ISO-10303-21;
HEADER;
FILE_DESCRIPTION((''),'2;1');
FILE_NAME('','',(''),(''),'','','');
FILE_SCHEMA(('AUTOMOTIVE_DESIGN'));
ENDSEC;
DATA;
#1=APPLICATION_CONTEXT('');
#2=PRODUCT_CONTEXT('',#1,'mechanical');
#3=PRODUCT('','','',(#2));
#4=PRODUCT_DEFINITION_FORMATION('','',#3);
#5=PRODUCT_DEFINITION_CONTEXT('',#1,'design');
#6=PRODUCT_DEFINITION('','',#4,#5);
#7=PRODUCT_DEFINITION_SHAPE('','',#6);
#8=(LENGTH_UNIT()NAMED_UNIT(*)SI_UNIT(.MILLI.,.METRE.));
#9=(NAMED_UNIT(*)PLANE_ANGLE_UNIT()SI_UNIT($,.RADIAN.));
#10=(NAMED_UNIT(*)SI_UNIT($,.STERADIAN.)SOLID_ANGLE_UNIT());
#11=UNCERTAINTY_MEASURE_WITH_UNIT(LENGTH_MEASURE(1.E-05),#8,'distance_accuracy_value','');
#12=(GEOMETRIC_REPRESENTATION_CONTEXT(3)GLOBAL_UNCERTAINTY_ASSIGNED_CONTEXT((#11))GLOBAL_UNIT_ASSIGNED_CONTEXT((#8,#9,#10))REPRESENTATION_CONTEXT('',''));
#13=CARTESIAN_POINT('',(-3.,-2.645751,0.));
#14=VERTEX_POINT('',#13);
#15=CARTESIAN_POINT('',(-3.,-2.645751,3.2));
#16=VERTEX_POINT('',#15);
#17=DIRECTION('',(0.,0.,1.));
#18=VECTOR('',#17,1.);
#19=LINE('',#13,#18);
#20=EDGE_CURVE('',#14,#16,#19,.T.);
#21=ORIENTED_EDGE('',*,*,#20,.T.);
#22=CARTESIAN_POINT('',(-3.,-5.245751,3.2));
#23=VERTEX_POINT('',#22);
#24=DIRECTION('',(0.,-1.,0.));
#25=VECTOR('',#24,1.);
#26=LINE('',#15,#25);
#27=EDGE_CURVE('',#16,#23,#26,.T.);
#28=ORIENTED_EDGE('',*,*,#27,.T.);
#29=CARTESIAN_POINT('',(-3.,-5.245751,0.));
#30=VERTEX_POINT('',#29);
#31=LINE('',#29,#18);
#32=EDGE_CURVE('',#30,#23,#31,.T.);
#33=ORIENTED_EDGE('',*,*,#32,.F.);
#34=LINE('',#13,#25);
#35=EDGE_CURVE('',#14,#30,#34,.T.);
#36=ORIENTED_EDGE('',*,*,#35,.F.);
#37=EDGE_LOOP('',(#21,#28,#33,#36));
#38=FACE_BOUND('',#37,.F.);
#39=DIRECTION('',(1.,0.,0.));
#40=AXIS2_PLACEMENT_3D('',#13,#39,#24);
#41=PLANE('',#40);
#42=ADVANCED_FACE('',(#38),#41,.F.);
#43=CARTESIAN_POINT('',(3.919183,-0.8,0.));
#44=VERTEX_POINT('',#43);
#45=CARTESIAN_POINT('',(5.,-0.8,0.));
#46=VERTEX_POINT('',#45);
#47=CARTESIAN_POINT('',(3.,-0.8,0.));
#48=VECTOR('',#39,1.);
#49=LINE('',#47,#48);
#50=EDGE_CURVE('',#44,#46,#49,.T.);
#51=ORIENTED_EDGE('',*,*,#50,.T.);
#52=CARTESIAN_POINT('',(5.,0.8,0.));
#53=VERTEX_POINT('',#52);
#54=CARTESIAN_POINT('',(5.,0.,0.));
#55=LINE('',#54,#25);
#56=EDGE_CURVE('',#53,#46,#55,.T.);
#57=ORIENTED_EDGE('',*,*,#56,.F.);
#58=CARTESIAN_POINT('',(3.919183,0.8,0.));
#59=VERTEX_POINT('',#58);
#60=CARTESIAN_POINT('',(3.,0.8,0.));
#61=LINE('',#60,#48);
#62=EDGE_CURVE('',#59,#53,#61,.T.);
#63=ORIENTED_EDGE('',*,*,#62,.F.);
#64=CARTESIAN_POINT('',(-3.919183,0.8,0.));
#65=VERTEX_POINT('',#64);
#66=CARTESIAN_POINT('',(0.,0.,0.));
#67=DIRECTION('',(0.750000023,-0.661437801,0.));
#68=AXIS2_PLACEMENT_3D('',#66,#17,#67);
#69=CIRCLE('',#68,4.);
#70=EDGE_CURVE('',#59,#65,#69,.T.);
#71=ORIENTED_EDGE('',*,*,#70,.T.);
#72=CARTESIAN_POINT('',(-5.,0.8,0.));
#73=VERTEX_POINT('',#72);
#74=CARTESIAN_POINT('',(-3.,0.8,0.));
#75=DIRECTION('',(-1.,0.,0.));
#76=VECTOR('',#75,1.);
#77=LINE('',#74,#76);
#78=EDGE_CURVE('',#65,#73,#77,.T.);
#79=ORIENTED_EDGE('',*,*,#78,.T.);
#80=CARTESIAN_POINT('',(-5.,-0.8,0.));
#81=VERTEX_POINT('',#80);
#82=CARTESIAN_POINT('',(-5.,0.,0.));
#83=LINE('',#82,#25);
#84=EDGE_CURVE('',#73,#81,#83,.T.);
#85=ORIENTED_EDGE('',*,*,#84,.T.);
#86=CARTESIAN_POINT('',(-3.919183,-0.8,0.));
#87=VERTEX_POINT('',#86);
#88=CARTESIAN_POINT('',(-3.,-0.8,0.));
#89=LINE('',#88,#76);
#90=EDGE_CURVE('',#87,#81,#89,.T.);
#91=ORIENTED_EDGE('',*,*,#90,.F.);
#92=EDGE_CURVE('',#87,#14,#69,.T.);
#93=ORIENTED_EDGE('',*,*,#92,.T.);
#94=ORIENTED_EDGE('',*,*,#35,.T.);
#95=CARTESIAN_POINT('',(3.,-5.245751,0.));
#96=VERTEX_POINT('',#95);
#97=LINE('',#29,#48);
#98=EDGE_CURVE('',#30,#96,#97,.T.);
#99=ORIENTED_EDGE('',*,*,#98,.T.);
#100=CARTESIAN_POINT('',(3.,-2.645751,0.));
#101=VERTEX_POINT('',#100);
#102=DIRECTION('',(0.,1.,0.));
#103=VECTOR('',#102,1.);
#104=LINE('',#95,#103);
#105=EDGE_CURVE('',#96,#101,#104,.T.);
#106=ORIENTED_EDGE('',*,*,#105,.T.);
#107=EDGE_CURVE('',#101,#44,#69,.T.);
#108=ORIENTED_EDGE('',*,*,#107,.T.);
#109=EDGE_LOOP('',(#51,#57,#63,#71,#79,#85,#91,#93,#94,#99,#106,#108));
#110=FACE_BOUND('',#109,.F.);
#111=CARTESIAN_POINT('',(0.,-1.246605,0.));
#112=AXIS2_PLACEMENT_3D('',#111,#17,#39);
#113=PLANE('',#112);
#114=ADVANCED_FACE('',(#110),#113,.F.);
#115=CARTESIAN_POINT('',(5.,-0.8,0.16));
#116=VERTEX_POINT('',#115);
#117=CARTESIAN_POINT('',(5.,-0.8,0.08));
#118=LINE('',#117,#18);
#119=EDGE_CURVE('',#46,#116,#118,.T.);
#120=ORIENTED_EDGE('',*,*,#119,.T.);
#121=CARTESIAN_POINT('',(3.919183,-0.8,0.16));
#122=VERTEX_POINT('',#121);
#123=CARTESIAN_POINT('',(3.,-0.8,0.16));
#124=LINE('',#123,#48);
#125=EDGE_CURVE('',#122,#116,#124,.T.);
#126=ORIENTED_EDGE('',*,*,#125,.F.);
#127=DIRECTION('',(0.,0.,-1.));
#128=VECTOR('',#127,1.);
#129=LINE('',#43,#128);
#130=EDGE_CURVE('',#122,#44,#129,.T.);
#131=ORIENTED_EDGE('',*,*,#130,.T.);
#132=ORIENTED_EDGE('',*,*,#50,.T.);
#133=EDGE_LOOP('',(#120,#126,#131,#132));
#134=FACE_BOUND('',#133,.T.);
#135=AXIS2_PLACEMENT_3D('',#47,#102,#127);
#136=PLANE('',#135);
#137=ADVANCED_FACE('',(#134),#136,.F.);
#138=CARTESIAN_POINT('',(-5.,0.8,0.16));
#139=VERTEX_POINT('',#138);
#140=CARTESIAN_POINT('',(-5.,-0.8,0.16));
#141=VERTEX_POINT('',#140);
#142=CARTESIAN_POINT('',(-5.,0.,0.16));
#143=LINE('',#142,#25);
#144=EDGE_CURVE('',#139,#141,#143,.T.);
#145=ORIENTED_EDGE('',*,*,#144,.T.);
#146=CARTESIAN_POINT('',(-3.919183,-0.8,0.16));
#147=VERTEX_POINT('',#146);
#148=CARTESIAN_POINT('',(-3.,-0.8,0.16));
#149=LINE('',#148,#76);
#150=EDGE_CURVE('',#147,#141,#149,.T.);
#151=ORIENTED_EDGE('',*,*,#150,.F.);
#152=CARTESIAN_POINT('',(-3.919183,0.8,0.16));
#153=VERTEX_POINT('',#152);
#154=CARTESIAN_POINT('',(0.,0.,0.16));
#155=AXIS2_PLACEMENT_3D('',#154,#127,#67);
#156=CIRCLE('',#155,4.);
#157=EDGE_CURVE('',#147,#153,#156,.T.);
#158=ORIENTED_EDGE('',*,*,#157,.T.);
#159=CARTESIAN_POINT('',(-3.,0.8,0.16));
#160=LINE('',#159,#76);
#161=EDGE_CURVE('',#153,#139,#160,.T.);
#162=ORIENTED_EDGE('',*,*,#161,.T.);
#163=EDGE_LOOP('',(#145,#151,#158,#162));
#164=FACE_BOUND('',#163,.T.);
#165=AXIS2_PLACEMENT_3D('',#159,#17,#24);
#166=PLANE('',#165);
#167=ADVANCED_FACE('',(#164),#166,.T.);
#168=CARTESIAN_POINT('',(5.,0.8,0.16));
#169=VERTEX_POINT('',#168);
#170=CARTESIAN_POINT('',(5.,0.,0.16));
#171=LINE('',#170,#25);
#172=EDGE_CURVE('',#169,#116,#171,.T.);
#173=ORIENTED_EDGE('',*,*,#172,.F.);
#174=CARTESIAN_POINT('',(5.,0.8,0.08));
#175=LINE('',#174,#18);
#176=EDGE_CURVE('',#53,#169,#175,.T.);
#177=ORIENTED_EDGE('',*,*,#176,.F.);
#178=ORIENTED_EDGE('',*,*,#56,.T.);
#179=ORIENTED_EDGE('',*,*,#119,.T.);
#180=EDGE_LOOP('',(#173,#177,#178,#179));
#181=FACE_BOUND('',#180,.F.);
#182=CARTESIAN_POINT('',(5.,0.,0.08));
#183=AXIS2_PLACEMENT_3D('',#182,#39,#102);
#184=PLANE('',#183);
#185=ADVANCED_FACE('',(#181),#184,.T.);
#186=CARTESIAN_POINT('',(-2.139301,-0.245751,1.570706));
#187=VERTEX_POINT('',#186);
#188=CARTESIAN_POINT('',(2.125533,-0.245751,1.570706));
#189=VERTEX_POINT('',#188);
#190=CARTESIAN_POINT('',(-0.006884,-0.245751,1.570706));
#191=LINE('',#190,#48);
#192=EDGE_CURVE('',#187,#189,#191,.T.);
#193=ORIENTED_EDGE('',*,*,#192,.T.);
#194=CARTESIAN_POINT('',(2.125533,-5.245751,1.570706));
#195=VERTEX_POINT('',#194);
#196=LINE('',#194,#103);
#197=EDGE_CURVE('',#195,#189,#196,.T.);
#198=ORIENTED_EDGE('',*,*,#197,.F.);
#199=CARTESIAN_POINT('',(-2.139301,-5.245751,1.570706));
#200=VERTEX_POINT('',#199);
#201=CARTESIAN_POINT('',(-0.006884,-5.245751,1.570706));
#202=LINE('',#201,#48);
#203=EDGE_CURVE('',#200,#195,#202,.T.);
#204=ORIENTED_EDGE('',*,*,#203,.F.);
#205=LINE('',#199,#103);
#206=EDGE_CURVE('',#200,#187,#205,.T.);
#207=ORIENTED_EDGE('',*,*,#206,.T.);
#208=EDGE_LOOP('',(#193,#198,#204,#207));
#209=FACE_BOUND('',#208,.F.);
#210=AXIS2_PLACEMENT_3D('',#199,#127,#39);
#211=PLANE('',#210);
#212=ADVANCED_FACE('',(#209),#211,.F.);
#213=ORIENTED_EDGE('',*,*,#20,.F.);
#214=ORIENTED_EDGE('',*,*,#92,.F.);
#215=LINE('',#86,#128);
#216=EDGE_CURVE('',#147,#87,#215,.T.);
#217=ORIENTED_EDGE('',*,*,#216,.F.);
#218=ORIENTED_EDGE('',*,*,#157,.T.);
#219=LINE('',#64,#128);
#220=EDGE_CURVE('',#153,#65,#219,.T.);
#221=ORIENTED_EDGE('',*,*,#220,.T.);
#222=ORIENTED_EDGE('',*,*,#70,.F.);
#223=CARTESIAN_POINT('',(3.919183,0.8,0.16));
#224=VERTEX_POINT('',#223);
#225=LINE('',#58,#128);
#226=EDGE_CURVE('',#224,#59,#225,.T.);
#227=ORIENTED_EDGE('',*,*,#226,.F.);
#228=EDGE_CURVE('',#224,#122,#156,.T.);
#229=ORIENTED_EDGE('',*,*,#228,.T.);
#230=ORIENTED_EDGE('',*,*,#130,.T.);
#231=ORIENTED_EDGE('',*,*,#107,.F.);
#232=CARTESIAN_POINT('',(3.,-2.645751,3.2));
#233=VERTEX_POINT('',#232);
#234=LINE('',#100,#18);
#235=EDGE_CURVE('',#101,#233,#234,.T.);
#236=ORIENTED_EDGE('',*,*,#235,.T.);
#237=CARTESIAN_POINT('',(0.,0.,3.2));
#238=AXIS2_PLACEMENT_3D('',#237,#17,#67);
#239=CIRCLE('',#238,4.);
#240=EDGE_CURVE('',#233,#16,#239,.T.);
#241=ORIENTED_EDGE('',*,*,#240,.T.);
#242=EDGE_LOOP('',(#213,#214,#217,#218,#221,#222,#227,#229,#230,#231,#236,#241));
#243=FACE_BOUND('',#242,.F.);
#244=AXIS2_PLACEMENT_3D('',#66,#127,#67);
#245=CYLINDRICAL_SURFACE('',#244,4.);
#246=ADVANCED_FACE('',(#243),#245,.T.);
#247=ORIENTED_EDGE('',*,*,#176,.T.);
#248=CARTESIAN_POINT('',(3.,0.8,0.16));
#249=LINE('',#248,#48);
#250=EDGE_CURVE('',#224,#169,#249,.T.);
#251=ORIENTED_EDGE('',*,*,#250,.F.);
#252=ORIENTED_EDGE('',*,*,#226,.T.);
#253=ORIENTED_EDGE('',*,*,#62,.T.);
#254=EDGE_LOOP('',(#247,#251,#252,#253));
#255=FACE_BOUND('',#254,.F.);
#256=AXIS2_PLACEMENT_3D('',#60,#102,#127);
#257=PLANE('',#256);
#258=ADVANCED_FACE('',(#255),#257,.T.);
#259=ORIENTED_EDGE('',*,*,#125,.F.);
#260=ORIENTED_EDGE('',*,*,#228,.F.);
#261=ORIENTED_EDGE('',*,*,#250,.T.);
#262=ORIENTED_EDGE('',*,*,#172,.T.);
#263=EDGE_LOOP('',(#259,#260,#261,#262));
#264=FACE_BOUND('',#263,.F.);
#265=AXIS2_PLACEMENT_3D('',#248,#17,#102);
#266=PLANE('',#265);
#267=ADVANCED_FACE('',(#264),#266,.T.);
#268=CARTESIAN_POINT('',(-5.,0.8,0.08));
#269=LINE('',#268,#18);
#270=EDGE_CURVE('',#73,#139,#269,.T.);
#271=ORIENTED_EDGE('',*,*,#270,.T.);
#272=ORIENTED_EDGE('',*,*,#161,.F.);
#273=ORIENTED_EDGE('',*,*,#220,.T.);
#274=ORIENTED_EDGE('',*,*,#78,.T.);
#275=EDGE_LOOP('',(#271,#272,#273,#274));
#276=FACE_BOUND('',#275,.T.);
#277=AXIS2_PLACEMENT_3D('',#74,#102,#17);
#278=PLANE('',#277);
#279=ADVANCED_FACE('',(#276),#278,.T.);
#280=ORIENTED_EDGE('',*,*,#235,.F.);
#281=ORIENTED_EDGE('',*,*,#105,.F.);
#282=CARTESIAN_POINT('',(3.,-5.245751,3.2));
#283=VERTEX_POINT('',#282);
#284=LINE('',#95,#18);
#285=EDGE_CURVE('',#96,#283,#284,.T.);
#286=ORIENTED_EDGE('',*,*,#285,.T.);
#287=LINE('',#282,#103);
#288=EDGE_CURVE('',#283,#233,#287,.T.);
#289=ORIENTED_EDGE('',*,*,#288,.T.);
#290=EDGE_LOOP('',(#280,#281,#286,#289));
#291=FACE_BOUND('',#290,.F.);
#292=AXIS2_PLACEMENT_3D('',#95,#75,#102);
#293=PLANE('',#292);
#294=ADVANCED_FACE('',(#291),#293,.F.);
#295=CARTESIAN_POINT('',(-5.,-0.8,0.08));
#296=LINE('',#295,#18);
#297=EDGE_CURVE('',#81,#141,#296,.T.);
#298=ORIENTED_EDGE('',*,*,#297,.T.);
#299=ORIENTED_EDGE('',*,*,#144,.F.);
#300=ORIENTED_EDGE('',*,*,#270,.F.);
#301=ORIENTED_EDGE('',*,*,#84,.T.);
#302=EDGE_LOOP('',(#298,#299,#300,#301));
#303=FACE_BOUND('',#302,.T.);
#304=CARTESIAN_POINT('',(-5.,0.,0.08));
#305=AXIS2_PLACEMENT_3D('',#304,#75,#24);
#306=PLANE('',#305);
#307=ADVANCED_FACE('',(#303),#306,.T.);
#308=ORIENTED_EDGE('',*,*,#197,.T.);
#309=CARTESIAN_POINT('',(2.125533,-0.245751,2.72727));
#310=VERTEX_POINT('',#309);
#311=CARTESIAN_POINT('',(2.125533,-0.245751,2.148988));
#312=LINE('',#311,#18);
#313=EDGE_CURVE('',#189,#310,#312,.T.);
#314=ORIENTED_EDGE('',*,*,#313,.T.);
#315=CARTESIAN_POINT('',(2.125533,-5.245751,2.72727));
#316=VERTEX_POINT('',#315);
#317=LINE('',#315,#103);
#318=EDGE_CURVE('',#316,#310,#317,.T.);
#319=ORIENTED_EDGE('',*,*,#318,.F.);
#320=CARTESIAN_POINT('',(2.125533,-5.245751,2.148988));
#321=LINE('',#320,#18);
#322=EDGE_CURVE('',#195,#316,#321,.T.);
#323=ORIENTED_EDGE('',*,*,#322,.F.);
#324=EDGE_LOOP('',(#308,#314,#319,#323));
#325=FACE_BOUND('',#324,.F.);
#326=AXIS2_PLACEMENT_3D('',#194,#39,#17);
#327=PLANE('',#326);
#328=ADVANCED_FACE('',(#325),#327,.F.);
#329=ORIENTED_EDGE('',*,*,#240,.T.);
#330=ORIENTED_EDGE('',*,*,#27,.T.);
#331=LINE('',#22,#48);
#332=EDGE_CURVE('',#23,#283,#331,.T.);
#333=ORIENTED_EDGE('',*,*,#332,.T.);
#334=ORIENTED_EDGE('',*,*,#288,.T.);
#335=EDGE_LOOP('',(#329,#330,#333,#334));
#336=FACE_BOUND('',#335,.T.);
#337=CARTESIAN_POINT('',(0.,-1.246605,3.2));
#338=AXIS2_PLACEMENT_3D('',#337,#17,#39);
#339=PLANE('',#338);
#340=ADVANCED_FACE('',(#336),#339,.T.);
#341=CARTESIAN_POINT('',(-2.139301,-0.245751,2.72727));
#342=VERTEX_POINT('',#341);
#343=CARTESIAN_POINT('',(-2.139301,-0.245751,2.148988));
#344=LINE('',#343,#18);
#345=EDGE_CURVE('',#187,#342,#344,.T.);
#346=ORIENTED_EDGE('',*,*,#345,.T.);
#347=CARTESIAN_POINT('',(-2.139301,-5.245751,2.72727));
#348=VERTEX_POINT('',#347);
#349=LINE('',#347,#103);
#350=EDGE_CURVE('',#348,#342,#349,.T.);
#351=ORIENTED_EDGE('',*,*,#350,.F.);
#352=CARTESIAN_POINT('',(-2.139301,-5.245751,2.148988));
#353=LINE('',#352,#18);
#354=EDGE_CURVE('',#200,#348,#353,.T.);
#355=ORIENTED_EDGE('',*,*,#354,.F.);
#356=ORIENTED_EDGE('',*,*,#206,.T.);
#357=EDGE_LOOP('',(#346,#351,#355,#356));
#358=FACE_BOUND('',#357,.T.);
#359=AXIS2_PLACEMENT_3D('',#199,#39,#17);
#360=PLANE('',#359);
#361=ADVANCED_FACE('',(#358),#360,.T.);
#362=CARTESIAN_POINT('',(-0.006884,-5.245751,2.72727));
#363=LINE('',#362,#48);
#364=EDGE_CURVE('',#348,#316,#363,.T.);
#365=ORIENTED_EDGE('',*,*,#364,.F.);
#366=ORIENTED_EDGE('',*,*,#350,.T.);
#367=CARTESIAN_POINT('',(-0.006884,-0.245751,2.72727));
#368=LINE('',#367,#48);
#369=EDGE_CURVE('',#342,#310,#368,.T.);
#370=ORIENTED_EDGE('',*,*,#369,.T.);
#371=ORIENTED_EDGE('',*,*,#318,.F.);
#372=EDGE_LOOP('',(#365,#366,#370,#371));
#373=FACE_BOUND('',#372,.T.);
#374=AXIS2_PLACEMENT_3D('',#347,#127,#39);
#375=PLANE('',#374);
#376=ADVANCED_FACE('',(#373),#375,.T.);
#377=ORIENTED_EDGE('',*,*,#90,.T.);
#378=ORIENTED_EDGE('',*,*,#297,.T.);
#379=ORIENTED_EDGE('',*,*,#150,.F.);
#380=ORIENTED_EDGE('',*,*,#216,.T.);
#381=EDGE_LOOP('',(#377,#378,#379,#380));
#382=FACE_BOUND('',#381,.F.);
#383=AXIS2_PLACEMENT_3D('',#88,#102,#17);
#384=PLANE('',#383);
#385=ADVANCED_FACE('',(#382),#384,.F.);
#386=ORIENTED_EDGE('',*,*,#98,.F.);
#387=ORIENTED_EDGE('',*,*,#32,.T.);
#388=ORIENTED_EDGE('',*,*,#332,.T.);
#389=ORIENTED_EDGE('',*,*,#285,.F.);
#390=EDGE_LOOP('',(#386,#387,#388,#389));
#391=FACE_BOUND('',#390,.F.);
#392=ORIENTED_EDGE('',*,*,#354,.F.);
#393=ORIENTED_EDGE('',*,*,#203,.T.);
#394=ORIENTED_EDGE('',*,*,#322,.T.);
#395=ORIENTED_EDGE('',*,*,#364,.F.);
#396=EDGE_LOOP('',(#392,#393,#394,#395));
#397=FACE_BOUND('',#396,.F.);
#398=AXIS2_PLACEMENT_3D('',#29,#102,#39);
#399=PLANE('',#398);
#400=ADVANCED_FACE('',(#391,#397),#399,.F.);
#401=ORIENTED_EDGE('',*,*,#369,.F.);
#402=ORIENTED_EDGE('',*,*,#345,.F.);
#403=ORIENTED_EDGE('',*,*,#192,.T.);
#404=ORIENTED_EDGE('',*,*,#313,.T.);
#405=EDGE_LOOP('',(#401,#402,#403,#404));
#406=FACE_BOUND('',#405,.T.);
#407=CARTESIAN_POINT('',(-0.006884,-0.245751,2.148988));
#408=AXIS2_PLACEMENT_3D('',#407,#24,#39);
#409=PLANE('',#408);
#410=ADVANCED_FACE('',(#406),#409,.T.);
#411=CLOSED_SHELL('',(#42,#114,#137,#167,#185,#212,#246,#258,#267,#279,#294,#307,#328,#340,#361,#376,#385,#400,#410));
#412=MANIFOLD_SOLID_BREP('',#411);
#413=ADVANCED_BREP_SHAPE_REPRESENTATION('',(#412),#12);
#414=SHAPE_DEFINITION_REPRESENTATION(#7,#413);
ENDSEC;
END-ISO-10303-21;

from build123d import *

# Parameters (mm, degrees)
PAD_DEPTH    = 3.2
SKETCH001_W  = 1.6
SKETCH001_H  = 0.16
PAD001_DEPTH = 2
SKETCH002_W  = 4.264834
SKETCH002_H  = 1.156565
POCKET_DEPTH = 5


with BuildPart() as part:
    # Sketch → Pad (new body)
    with BuildSketch(Plane.XY):
        with BuildLine():
            ThreePointArc((3, -2.645751), (0, 4), (-3, -2.645751))
            Line((-3, -2.645751), (-3, -5.245751))
            Line((-3, -5.245751), (3, -5.245751))
            Line((3, -5.245751), (3, -2.645751))
        make_face()
    extrude(amount=PAD_DEPTH)

    # Sketch001 (on Face2 of Pad) → Pad001 (join)
    with BuildSketch(Plane(origin=(-3, 0, 0), x_dir=(0, -1, 0), z_dir=(-1, 0, 0))):
        with Locations((0, 0.08)):
            Rectangle(SKETCH001_W, SKETCH001_H)
    pad001 = extrude(amount=PAD001_DEPTH)

    # Mirrored: Pad001 across YZ
    add(pad001.mirror(Plane.YZ))

    # Sketch002 (on Face12 of Mirrored) → Pocket (cut)
    with BuildSketch(Plane.XZ.offset(5.245751)):
        with Locations((-0.006884, 2.148988)):
            Rectangle(SKETCH002_W, SKETCH002_H)
    extrude(amount=-POCKET_DEPTH, mode=Mode.SUBTRACT)


solid = part.part
